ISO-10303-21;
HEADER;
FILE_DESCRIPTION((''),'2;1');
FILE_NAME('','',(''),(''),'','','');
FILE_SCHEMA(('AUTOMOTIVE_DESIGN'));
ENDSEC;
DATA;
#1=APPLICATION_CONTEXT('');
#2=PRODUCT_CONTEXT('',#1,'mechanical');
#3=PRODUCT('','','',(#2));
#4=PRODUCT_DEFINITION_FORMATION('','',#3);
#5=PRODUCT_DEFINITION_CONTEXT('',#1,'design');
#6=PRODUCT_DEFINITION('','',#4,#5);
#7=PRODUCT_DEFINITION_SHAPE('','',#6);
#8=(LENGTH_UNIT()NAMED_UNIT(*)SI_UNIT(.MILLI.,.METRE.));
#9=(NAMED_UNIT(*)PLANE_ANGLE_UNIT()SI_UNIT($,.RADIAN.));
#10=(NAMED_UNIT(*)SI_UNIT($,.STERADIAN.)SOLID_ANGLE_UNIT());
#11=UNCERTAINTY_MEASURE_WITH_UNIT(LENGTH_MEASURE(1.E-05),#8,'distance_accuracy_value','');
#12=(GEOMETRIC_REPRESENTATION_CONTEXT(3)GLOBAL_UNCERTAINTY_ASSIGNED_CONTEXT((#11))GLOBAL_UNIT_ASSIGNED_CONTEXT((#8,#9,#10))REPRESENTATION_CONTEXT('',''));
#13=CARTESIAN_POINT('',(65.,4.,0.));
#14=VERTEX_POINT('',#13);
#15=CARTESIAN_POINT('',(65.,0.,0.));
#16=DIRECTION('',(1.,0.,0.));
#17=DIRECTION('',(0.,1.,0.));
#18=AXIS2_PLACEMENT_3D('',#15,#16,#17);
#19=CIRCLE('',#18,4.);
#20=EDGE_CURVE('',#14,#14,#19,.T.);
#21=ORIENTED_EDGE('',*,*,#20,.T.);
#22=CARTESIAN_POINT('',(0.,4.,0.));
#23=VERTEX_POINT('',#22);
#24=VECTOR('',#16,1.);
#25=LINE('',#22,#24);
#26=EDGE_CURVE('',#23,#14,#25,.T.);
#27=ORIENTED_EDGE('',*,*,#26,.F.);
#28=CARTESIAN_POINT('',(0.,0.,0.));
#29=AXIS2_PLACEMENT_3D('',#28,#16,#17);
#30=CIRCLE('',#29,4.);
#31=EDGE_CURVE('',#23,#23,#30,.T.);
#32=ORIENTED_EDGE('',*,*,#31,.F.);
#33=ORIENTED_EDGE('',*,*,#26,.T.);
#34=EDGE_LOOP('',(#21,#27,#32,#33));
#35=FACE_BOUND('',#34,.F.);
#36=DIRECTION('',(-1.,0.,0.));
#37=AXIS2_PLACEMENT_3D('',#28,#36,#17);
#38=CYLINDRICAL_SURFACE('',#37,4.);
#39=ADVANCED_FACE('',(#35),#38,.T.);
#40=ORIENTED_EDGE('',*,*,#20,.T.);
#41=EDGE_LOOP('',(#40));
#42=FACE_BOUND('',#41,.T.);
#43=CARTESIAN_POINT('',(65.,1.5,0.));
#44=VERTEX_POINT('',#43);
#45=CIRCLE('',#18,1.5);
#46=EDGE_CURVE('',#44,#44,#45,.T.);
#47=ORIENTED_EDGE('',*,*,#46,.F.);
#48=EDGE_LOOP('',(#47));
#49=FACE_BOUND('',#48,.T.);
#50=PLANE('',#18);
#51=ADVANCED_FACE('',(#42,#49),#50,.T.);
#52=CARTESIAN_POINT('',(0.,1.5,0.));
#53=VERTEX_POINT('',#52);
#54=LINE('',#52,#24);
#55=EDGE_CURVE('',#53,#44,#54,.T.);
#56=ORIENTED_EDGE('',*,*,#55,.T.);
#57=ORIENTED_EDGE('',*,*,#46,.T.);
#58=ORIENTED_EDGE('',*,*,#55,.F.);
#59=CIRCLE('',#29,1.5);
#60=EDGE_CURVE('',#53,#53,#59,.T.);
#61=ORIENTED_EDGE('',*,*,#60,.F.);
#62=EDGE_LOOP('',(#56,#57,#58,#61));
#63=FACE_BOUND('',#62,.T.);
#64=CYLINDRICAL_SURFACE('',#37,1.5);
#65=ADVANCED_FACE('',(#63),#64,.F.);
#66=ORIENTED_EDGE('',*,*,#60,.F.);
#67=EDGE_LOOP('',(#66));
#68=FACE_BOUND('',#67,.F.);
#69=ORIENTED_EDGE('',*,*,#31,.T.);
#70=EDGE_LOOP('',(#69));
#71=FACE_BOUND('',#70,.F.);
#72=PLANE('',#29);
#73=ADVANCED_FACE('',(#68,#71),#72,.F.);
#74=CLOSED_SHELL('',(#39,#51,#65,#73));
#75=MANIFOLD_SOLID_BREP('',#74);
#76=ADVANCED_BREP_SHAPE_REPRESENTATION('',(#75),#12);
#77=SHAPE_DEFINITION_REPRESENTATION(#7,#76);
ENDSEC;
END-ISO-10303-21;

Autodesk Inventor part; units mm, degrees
ref_plane "YZ Plane" through (0, 0, 0) normal (1, 0, 0) x (0, 1, 0)
ref_plane "XZ Plane" through (0, 0, 0) normal (0, 1, 0) x (-1, 0, 0)
ref_plane "XY Plane" through (0, 0, 0) normal (0, 0, 1) x (1, 0, 0)
sketch "スケッチ1" plane through (0, 0, 0) normal (1, 0, 0) x (0, 1, 0)
  circle A0 centre (0, 0) radius 4
  circle A1 centre (0, 0) radius 1.5
  dimension "d0" = 8
  dimension "d1" = 3
extrude "押し出し1" add sketch "スケッチ1" along normal blind 65
thread "ねじ1" size "M3x0.5" class "6H" standard "ANSI Metric M Profile" full length
properties part number "base_weel-v1-Shaft-lider-spesa" material "アルミニウム 6061"
